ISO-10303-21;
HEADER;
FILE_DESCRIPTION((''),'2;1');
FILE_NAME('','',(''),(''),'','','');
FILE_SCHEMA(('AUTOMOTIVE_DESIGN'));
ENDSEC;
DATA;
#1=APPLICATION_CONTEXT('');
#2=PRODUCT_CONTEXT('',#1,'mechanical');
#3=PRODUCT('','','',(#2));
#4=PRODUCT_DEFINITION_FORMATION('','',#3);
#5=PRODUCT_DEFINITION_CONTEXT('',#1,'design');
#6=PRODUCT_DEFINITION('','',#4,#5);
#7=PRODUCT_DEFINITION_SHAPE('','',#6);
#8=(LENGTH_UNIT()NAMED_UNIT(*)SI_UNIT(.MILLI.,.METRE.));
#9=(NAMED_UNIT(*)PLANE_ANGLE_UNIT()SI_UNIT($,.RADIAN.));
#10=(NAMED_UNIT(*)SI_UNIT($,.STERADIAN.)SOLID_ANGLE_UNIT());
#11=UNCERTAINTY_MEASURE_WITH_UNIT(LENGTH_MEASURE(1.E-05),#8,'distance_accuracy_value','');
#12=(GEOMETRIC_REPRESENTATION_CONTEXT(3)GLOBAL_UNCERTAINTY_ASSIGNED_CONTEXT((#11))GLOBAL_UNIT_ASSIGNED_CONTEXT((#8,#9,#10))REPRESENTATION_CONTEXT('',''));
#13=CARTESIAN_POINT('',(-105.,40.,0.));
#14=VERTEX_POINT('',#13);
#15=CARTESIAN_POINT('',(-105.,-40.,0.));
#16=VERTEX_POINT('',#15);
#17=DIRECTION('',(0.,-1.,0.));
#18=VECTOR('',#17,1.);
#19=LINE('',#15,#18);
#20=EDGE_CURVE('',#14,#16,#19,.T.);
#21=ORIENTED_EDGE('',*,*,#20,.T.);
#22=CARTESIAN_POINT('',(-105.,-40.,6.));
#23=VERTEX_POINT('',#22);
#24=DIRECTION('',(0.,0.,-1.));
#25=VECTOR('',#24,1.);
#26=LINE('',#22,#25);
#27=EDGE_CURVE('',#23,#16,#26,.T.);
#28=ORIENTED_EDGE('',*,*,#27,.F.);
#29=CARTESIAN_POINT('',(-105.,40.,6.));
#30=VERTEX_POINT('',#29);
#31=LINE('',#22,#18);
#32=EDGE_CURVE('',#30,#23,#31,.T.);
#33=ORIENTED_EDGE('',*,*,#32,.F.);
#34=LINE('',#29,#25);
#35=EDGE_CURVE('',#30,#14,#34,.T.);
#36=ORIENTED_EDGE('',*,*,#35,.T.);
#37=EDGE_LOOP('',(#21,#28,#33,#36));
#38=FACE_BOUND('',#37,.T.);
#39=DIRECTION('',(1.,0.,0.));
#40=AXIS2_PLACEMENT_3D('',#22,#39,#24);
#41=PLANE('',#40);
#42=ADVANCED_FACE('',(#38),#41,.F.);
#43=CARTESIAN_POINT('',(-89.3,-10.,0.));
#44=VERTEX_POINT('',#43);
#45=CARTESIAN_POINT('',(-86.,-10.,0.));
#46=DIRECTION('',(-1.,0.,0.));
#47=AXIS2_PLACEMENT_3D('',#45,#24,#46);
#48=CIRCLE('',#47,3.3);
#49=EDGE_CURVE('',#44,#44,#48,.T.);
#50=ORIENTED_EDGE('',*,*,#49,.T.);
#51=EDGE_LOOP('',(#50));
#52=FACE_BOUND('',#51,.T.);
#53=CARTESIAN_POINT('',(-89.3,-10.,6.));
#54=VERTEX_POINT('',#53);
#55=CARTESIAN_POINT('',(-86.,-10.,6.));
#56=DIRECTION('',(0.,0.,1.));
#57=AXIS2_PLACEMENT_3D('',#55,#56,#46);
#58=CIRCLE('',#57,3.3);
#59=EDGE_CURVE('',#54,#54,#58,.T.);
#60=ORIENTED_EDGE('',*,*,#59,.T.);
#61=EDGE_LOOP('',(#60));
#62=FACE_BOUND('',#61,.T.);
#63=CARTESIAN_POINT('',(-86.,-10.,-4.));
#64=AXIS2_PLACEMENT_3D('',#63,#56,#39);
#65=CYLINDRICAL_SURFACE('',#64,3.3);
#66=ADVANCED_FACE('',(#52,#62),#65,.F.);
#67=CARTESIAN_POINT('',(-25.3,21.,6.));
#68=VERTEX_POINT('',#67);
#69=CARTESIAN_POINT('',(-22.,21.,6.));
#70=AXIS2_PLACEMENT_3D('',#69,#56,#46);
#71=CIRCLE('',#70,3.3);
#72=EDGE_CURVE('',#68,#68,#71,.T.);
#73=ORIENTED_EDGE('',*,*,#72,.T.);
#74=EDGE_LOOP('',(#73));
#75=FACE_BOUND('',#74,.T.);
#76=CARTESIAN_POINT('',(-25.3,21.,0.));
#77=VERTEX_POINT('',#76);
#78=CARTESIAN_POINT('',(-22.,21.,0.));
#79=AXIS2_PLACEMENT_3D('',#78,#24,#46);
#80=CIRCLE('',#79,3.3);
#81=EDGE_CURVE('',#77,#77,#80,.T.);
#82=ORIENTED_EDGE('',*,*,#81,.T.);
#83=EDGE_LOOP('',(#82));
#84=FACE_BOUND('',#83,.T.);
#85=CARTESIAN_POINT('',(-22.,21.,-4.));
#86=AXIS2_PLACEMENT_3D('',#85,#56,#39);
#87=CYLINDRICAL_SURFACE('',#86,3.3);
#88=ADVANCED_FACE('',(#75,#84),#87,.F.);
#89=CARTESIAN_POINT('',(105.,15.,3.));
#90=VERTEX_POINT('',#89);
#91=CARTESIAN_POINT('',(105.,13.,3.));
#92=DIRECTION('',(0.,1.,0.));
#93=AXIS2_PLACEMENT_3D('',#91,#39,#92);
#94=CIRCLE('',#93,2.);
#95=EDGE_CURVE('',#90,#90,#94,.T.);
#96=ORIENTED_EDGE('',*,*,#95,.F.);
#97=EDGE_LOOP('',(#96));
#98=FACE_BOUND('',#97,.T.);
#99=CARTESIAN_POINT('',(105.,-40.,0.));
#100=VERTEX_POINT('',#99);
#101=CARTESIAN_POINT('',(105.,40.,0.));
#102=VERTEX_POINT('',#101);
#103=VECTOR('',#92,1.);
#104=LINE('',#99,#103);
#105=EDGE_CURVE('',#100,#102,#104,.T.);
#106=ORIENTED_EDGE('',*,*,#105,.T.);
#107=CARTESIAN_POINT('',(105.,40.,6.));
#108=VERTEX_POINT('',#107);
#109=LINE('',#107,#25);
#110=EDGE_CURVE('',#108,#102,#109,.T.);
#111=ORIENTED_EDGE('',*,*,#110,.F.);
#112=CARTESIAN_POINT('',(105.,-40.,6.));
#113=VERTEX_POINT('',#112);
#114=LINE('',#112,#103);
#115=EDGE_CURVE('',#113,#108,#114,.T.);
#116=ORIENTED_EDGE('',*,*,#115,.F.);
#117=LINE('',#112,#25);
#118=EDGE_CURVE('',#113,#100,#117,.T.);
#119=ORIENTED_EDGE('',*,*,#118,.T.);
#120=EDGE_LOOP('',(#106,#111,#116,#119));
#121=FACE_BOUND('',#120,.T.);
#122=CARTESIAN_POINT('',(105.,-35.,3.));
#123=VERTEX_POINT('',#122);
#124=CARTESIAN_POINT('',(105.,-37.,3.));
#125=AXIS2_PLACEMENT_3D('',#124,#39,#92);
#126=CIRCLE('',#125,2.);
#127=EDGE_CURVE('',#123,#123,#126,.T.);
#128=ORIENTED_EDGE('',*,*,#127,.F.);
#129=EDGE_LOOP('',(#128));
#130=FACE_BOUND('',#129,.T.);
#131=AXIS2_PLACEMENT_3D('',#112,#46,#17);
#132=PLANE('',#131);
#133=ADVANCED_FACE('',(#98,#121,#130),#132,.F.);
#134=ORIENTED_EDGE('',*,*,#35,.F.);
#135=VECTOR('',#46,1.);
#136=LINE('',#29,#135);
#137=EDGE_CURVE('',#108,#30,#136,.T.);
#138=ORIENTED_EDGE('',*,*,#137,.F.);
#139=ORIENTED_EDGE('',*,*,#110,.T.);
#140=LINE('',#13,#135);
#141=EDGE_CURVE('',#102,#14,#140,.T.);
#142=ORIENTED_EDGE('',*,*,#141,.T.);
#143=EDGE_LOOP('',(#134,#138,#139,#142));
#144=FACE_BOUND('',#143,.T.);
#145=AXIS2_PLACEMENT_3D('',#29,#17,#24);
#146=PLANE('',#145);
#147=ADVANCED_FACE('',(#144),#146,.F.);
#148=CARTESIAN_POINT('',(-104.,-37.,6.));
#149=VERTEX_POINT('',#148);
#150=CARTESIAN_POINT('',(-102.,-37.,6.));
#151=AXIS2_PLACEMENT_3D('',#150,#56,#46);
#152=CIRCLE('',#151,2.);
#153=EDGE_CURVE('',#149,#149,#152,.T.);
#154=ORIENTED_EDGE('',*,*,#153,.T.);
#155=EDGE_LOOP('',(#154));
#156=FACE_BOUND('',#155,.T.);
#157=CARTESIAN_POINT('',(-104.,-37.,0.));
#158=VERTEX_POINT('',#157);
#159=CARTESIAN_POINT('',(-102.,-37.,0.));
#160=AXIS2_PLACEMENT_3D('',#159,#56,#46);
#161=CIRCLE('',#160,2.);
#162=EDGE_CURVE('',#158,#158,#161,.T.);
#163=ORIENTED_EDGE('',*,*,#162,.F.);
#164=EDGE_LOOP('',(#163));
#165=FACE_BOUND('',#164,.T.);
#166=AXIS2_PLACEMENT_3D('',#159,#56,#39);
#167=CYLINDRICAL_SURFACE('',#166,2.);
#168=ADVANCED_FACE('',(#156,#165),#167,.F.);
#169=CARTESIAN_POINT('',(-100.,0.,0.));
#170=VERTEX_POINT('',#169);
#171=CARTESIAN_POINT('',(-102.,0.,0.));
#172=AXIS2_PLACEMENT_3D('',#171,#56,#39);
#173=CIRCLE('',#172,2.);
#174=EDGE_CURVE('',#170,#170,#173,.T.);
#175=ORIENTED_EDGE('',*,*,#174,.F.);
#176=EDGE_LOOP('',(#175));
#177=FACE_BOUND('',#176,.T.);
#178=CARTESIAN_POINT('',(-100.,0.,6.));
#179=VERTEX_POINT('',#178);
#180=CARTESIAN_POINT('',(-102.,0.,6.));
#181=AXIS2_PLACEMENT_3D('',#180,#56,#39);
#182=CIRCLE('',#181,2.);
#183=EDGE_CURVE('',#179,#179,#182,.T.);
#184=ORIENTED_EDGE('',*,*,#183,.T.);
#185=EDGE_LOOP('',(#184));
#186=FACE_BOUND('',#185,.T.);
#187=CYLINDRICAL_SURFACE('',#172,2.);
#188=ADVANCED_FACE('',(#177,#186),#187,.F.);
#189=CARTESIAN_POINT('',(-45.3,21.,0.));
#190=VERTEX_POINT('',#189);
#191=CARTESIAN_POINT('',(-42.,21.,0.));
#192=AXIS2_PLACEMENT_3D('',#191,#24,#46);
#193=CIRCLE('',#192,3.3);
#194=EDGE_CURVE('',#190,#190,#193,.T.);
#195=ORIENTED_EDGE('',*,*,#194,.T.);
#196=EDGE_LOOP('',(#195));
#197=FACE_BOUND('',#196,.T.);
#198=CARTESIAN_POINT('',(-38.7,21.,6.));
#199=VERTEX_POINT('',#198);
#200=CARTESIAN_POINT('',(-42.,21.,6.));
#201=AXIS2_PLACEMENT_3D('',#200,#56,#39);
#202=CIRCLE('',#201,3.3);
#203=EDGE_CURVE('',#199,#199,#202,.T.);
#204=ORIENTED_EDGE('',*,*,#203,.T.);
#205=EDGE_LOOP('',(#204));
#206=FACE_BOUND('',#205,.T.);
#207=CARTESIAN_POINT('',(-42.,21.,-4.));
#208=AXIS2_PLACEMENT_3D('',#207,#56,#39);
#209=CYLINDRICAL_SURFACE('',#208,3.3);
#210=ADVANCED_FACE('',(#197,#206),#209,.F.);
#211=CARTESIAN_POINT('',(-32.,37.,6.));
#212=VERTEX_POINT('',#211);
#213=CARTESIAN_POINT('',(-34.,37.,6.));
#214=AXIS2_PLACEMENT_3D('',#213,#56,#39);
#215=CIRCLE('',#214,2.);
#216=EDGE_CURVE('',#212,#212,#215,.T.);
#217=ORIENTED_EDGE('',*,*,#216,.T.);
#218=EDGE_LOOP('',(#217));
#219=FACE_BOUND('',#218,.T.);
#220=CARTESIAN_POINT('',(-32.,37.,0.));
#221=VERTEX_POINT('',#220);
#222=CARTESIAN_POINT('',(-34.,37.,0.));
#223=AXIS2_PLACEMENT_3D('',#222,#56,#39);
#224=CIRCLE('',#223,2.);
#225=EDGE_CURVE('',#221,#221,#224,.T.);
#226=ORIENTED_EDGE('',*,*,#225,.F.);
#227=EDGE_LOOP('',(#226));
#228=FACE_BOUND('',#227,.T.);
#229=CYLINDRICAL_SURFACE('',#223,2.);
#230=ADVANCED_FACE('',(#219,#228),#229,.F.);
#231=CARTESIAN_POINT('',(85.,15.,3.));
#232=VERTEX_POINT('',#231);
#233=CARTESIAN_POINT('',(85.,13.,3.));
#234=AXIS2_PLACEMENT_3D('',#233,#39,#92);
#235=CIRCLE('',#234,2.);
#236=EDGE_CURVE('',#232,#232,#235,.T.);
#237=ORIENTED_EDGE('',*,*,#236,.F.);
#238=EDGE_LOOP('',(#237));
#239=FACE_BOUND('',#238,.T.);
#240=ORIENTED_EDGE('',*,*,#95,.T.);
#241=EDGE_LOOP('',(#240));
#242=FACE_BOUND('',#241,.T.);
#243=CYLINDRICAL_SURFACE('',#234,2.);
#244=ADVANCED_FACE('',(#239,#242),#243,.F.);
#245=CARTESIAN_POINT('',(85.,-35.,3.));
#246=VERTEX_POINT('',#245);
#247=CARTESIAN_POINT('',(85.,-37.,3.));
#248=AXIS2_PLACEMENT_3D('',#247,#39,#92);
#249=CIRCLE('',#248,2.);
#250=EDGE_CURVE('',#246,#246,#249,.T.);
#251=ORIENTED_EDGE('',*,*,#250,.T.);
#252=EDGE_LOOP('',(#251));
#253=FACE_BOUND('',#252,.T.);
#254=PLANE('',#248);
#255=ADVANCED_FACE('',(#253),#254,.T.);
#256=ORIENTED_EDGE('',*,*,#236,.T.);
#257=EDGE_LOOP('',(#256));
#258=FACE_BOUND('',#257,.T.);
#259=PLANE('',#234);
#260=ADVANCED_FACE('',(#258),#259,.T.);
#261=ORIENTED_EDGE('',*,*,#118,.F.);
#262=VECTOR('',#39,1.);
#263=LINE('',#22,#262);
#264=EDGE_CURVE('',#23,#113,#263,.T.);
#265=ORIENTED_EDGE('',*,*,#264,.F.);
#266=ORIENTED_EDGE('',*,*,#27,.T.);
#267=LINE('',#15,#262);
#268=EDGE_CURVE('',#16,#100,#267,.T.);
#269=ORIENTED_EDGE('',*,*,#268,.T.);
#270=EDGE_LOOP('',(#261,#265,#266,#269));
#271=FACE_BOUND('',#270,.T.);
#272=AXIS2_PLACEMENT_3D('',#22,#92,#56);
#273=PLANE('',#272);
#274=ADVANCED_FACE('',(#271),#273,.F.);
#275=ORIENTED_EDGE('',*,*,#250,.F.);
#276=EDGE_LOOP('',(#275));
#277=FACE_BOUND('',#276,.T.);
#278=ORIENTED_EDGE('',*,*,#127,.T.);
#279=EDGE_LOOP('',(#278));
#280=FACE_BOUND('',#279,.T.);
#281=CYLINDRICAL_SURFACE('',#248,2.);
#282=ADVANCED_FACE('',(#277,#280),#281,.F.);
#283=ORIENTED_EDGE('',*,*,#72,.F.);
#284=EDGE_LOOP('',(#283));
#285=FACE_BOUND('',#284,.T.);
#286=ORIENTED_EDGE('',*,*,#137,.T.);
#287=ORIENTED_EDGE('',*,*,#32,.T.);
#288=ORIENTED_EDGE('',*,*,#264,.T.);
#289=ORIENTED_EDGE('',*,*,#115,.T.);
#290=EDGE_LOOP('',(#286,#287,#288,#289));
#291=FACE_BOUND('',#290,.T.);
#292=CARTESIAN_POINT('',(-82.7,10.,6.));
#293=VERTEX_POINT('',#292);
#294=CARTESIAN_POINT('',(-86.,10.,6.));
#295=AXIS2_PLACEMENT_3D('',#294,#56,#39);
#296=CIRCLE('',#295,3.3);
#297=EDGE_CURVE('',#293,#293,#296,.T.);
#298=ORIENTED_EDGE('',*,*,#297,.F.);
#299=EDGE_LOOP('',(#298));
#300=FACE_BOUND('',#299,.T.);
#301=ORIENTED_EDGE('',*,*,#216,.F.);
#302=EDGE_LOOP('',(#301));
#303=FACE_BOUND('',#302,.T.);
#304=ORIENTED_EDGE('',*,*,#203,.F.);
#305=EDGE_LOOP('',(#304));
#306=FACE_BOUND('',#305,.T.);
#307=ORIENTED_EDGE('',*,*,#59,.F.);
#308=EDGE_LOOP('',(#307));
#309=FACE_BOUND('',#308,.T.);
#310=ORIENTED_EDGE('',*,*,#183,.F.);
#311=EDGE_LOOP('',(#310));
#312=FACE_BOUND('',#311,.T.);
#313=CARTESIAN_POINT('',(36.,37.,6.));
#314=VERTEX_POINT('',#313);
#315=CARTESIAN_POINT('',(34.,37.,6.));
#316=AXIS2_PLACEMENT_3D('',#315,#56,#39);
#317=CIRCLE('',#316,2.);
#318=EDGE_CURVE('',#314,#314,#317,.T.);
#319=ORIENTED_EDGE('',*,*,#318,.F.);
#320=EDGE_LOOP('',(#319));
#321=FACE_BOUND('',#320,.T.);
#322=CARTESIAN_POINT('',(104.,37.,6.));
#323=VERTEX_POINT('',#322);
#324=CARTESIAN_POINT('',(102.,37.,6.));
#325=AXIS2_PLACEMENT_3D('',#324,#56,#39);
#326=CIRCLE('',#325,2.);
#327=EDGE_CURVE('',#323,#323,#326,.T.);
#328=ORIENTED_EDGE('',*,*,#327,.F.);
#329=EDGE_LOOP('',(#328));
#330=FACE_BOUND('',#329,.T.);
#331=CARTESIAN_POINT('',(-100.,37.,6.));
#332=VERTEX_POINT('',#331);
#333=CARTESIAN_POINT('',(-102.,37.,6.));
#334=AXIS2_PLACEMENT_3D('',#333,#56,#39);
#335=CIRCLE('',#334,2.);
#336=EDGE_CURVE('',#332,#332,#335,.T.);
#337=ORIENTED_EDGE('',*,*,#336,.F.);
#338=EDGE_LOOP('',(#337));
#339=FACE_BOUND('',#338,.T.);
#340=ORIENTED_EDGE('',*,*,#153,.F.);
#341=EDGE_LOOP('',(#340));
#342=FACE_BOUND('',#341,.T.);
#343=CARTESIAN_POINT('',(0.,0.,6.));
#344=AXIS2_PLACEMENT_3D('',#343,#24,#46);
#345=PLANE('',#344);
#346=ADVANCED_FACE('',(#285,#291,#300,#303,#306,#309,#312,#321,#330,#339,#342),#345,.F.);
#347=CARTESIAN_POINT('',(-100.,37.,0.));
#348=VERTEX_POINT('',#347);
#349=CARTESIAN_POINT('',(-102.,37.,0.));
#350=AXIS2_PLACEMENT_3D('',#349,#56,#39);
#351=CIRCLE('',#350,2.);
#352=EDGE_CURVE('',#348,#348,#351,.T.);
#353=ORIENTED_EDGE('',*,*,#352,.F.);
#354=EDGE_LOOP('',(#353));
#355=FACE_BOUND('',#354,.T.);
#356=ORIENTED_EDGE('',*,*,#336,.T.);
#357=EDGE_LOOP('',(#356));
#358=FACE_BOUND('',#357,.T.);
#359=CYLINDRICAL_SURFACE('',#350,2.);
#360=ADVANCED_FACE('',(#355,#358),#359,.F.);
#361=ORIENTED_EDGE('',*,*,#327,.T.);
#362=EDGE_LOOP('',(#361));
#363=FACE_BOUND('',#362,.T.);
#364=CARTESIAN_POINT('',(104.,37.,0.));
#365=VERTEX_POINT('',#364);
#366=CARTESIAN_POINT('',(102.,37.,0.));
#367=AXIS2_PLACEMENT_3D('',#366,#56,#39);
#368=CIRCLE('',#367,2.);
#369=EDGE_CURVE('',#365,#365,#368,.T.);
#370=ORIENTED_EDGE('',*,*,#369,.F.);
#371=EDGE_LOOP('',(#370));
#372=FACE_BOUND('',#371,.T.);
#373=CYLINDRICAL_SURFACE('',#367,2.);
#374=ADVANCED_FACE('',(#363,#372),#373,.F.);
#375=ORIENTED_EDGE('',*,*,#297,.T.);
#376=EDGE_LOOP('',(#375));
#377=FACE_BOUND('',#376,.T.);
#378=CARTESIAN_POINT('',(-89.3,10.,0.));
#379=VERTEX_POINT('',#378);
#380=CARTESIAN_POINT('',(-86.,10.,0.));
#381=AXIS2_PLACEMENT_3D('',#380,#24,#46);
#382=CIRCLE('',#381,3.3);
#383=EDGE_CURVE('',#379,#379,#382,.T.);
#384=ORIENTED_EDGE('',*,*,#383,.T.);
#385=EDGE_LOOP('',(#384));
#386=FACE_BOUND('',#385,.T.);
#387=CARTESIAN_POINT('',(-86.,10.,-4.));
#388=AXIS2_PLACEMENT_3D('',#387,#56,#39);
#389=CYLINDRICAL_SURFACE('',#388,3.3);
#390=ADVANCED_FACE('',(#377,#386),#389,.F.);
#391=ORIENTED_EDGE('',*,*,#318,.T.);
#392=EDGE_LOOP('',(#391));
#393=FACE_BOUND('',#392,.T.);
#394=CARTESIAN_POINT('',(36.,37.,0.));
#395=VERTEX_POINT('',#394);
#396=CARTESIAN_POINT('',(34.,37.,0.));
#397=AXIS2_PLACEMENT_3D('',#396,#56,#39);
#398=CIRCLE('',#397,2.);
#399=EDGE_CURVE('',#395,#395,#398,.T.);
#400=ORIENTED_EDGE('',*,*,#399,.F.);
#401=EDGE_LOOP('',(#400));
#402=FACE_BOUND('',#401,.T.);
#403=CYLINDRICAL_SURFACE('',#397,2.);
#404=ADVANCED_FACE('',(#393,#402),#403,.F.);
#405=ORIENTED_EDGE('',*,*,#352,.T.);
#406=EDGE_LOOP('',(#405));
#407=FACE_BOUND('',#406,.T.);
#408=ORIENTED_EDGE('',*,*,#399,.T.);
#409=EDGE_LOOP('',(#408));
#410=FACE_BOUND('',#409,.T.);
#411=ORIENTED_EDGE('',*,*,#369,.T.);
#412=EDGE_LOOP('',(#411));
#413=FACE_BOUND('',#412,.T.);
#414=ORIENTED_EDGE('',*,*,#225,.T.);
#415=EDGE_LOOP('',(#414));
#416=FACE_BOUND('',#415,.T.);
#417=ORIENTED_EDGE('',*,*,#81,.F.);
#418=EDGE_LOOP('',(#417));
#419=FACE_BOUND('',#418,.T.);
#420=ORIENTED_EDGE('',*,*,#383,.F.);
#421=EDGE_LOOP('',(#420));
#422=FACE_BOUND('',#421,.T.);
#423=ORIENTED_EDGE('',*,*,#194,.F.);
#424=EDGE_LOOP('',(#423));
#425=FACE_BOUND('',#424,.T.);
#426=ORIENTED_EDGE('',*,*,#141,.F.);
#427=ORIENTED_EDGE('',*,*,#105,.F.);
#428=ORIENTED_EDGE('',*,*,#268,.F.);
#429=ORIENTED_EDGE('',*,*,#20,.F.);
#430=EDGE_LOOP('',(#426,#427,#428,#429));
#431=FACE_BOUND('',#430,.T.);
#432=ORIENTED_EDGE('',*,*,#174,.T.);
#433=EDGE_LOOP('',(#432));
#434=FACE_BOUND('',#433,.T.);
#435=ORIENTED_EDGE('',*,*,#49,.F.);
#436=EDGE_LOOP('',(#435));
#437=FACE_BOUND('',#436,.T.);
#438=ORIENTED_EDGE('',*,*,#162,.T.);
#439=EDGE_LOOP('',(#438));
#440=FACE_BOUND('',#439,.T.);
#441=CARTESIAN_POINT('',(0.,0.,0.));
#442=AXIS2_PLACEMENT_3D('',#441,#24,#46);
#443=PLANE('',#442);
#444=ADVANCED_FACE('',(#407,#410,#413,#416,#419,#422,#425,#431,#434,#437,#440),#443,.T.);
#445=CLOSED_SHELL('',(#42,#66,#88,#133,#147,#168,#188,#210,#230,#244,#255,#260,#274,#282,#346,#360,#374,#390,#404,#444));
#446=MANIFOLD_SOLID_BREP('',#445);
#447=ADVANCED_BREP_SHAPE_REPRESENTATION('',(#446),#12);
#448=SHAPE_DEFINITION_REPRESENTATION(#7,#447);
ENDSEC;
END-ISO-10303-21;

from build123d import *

# Parameters (mm, degrees)
SKETCH_1_W          = 210
SKETCH_1_H          = 80
EXTRUDE_1_DEPTH     = 6
SKETCH_2_R          = 2
CUT_EXTRUDE_1_DEPTH = 6
SKETCH_3_R          = 2
CUT_EXTRUDE_2_DEPTH = 20
SKETCH_4_R          = 3.3
CUT_EXTRUDE_3_DEPTH = 10
SKETCH_5_R          = 3.3
CUT_EXTRUDE_4_DEPTH = 10


with BuildPart() as part:
    # 草图1 → 凸台-拉伸1 (new body)
    with BuildSketch(Plane.XY):
        Rectangle(SKETCH_1_W, SKETCH_1_H)
    extrude(amount=EXTRUDE_1_DEPTH)

    # 草图2 → 切除-拉伸1 (cut)
    with BuildSketch(Plane.XY.offset(6)):
        with Locations((-102, 0)):
            Circle(SKETCH_2_R)
        with Locations((-102, 37)):
            Circle(SKETCH_2_R)
        with Locations((-102, -37)):
            Circle(SKETCH_2_R)
        with Locations((-34, 37)):
            Circle(SKETCH_2_R)
        with Locations((34, 37)):
            Circle(SKETCH_2_R)
        with Locations((102, 37)):
            Circle(SKETCH_2_R)
    extrude(amount=-CUT_EXTRUDE_1_DEPTH, mode=Mode.SUBTRACT)

    # 草图3 → 切除-拉伸2 (cut)
    with BuildSketch(Plane(origin=(105, 0, 0), x_dir=(0, 0, -1), z_dir=(1, 0, 0))):
        with Locations((-3, -37)):
            Circle(SKETCH_3_R)
        with Locations((-3, 13)):
            Circle(SKETCH_3_R)
    extrude(amount=-CUT_EXTRUDE_2_DEPTH, mode=Mode.SUBTRACT)

    # 草图4 → 切除-拉伸3 (cut)
    with BuildSketch(Plane.XY.offset(6)):
        with Locations((-86, 10)):
            Circle(SKETCH_4_R)
        with Locations((-86, -10)):
            Circle(SKETCH_4_R)
    extrude(amount=-CUT_EXTRUDE_3_DEPTH, mode=Mode.SUBTRACT)

    # 草图5 → 切除-拉伸4 (cut)
    with BuildSketch(Plane.XY.offset(6)):
        with Locations((-42, 21)):
            Circle(SKETCH_5_R)
        with Locations((-22, 21)):
            Circle(SKETCH_5_R)
    extrude(amount=-CUT_EXTRUDE_4_DEPTH, mode=Mode.SUBTRACT)


solid = part.part
